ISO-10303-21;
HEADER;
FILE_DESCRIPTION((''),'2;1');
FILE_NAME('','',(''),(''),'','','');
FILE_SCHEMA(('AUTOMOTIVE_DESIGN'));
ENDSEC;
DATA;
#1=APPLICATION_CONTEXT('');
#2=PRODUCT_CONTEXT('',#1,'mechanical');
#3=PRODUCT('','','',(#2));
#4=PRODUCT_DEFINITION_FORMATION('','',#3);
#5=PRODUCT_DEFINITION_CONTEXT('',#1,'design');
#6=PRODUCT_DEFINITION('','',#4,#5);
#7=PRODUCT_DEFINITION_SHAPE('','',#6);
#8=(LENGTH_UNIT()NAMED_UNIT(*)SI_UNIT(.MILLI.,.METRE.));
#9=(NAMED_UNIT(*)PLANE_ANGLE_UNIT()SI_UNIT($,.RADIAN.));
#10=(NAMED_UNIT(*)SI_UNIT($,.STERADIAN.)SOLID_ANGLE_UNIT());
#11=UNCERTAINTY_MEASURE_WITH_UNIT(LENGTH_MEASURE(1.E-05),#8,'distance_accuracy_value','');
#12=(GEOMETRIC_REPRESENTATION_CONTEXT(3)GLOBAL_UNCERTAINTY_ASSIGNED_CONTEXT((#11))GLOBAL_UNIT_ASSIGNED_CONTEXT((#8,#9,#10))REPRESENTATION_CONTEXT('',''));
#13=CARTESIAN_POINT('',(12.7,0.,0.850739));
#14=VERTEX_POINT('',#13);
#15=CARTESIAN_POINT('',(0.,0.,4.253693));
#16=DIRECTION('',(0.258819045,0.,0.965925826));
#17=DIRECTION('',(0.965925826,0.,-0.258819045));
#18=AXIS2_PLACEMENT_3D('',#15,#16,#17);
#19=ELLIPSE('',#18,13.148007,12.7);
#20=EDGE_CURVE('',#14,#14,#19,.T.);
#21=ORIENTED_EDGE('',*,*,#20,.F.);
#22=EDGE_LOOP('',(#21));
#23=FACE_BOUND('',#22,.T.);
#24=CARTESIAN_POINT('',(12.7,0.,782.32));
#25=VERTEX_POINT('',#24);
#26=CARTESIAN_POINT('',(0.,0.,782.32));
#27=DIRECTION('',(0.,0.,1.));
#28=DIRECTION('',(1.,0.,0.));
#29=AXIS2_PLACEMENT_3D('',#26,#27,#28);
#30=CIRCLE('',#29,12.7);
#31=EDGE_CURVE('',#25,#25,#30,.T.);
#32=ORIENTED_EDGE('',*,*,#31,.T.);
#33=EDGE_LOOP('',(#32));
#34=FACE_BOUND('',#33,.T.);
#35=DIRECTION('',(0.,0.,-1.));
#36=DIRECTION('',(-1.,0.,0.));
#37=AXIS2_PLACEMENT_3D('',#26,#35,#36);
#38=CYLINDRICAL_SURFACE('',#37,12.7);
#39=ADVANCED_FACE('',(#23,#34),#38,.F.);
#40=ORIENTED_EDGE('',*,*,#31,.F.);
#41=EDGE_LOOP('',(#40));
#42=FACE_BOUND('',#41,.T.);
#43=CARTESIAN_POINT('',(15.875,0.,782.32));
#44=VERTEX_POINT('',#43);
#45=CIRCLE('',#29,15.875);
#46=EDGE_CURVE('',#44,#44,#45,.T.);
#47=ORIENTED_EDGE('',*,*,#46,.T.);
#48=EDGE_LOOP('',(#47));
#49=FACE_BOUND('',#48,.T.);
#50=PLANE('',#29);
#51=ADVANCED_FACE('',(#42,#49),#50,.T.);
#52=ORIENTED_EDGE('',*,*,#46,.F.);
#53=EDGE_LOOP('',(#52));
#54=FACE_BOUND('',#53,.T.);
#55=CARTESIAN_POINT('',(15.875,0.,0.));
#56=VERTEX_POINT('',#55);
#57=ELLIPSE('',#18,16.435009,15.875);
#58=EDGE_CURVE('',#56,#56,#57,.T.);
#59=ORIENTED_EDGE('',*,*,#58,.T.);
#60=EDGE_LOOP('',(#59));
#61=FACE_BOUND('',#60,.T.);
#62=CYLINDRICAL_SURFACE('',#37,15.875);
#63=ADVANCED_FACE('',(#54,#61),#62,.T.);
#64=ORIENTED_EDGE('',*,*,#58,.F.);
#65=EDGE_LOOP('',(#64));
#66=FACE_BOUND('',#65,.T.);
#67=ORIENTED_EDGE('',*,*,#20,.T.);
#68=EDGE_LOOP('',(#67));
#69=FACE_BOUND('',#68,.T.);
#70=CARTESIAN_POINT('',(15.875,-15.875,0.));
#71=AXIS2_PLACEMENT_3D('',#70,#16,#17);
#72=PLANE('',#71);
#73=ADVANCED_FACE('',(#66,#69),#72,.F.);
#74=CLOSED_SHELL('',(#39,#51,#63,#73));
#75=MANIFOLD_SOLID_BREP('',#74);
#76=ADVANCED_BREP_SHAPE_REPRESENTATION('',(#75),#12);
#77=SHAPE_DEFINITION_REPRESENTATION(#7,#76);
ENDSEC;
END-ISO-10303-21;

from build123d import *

# Parameters (mm, degrees)
SKETCH1_R               = 15.875
SKETCH1_R_2             = 12.7
BOSS_EXTRUDE1_DEPTH     = 782.32
CUT_EXTRUDE1_DEPTH      = 783.642072502
CUT_EXTRUDE1_DEPTH_BACK = 783.642072502


with BuildPart() as part:
    # Sketch1 → Boss-Extrude1 (new body)
    with BuildSketch(Plane.XY):
        Circle(SKETCH1_R)
        Circle(SKETCH1_R_2, mode=Mode.SUBTRACT)
    extrude(amount=BOSS_EXTRUDE1_DEPTH)

    # Sketch3 → Cut-Extrude1 (cut, two sides: drawn at the far end of the back side and taken through both)
    with BuildSketch(Plane(origin=(0, 0, 0), x_dir=(1, 0, 0), z_dir=(0, 1, 0)).offset(-CUT_EXTRUDE1_DEPTH_BACK)):
        Polygon((0, 0), (15.875, 0), (-47.625, -17.014773719), (-47.625, 0), align=None)
    extrude(amount=CUT_EXTRUDE1_DEPTH + CUT_EXTRUDE1_DEPTH_BACK, mode=Mode.SUBTRACT)


solid = part.part
